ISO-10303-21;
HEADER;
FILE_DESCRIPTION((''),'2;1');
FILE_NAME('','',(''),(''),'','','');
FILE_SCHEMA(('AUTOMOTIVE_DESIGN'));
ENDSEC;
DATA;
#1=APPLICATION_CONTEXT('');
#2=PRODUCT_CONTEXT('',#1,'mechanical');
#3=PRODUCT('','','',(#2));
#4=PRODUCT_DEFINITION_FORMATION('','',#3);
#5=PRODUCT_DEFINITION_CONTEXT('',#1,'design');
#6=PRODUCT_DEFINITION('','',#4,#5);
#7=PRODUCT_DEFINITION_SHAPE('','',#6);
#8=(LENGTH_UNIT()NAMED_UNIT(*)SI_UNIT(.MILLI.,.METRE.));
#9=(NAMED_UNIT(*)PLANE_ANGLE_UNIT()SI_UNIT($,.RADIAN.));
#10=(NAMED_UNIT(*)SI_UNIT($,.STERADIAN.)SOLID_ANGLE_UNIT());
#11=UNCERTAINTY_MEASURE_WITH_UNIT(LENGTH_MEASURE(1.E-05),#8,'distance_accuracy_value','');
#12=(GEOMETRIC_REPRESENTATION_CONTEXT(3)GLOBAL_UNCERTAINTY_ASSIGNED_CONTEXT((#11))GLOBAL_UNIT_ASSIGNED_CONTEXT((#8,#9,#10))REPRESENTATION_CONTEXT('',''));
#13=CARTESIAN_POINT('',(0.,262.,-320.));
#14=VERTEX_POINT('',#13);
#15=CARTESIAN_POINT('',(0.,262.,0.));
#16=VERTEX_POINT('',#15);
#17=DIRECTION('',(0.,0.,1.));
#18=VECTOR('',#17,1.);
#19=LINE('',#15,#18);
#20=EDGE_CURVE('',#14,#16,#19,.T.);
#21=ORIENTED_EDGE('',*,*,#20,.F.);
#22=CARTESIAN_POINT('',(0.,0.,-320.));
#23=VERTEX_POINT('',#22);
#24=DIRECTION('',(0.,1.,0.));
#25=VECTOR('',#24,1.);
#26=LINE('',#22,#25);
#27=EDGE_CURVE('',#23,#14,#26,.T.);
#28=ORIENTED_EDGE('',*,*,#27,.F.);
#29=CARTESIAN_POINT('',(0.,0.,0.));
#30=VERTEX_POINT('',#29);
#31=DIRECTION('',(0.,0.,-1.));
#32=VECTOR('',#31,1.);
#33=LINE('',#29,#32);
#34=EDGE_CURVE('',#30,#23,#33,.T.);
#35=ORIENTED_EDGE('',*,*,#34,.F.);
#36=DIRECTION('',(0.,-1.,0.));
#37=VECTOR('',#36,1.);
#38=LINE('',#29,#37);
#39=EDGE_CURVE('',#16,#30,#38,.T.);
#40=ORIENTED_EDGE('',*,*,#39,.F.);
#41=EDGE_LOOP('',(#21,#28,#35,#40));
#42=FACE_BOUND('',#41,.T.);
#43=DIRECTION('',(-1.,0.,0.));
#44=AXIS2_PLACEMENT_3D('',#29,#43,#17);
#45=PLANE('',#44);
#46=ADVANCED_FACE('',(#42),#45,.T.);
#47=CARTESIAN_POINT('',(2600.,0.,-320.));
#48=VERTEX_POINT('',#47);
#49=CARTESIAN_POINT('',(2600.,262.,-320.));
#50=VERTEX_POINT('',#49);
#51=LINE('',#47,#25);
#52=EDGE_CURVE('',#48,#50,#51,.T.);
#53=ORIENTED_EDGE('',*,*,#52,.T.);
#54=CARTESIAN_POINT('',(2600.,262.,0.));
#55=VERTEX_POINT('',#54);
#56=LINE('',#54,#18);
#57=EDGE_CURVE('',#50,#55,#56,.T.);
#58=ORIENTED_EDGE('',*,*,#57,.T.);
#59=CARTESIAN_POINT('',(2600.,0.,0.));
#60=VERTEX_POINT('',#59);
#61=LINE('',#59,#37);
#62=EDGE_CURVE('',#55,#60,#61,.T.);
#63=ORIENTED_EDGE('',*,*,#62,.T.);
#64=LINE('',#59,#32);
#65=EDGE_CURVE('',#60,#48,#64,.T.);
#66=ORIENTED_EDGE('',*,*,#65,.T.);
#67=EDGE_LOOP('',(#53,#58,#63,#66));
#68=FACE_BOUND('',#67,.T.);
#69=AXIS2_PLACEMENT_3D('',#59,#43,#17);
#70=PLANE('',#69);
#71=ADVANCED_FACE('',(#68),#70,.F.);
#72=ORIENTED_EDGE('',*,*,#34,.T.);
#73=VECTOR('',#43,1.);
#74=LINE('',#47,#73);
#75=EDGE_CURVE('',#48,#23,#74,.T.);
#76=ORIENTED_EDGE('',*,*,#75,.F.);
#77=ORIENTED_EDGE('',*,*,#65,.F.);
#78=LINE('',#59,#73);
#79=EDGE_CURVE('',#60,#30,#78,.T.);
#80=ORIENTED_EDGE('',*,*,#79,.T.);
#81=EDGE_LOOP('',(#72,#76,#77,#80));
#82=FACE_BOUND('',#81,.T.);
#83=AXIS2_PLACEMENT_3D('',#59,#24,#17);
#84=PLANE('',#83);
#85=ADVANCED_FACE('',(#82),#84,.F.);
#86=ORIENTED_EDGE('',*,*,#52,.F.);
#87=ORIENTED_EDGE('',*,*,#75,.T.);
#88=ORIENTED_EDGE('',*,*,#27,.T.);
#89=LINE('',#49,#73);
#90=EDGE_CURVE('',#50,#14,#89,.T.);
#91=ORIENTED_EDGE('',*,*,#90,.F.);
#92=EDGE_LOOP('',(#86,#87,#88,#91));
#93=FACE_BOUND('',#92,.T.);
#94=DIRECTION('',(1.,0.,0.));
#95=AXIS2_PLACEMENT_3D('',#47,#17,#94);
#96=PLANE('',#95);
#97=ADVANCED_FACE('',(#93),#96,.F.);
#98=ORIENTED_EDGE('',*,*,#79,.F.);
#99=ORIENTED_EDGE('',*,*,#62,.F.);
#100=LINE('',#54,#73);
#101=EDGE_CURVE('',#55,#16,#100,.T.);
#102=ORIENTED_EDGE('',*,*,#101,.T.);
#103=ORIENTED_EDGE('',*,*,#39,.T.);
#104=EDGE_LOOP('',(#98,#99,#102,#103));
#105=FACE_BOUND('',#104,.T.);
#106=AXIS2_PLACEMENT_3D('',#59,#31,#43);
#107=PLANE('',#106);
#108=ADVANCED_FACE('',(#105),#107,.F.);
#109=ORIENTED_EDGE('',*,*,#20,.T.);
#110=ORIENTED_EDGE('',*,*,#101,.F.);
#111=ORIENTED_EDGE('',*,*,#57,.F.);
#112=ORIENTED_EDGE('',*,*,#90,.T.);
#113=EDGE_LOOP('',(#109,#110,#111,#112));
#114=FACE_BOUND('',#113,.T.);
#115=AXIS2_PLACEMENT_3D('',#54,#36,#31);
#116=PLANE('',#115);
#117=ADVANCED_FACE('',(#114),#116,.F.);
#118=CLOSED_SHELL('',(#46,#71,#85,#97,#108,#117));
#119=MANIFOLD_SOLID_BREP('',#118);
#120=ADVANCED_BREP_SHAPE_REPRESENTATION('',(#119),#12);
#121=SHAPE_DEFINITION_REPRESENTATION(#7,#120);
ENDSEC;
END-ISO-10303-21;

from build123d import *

# Parameters (mm, degrees)
SKETCH_1_W      = 320
SKETCH_1_H      = 262
EXTRUDE_1_DEPTH = 2600


with BuildPart() as part:
    # 草图1 → 凸台-拉伸1 (new body)
    with BuildSketch(Plane(origin=(0, 0, 0), x_dir=(0, 0, -1), z_dir=(1, 0, 0))):
        with Locations((160, 131)):
            Rectangle(SKETCH_1_W, SKETCH_1_H)
    extrude(amount=EXTRUDE_1_DEPTH)


solid = part.part
